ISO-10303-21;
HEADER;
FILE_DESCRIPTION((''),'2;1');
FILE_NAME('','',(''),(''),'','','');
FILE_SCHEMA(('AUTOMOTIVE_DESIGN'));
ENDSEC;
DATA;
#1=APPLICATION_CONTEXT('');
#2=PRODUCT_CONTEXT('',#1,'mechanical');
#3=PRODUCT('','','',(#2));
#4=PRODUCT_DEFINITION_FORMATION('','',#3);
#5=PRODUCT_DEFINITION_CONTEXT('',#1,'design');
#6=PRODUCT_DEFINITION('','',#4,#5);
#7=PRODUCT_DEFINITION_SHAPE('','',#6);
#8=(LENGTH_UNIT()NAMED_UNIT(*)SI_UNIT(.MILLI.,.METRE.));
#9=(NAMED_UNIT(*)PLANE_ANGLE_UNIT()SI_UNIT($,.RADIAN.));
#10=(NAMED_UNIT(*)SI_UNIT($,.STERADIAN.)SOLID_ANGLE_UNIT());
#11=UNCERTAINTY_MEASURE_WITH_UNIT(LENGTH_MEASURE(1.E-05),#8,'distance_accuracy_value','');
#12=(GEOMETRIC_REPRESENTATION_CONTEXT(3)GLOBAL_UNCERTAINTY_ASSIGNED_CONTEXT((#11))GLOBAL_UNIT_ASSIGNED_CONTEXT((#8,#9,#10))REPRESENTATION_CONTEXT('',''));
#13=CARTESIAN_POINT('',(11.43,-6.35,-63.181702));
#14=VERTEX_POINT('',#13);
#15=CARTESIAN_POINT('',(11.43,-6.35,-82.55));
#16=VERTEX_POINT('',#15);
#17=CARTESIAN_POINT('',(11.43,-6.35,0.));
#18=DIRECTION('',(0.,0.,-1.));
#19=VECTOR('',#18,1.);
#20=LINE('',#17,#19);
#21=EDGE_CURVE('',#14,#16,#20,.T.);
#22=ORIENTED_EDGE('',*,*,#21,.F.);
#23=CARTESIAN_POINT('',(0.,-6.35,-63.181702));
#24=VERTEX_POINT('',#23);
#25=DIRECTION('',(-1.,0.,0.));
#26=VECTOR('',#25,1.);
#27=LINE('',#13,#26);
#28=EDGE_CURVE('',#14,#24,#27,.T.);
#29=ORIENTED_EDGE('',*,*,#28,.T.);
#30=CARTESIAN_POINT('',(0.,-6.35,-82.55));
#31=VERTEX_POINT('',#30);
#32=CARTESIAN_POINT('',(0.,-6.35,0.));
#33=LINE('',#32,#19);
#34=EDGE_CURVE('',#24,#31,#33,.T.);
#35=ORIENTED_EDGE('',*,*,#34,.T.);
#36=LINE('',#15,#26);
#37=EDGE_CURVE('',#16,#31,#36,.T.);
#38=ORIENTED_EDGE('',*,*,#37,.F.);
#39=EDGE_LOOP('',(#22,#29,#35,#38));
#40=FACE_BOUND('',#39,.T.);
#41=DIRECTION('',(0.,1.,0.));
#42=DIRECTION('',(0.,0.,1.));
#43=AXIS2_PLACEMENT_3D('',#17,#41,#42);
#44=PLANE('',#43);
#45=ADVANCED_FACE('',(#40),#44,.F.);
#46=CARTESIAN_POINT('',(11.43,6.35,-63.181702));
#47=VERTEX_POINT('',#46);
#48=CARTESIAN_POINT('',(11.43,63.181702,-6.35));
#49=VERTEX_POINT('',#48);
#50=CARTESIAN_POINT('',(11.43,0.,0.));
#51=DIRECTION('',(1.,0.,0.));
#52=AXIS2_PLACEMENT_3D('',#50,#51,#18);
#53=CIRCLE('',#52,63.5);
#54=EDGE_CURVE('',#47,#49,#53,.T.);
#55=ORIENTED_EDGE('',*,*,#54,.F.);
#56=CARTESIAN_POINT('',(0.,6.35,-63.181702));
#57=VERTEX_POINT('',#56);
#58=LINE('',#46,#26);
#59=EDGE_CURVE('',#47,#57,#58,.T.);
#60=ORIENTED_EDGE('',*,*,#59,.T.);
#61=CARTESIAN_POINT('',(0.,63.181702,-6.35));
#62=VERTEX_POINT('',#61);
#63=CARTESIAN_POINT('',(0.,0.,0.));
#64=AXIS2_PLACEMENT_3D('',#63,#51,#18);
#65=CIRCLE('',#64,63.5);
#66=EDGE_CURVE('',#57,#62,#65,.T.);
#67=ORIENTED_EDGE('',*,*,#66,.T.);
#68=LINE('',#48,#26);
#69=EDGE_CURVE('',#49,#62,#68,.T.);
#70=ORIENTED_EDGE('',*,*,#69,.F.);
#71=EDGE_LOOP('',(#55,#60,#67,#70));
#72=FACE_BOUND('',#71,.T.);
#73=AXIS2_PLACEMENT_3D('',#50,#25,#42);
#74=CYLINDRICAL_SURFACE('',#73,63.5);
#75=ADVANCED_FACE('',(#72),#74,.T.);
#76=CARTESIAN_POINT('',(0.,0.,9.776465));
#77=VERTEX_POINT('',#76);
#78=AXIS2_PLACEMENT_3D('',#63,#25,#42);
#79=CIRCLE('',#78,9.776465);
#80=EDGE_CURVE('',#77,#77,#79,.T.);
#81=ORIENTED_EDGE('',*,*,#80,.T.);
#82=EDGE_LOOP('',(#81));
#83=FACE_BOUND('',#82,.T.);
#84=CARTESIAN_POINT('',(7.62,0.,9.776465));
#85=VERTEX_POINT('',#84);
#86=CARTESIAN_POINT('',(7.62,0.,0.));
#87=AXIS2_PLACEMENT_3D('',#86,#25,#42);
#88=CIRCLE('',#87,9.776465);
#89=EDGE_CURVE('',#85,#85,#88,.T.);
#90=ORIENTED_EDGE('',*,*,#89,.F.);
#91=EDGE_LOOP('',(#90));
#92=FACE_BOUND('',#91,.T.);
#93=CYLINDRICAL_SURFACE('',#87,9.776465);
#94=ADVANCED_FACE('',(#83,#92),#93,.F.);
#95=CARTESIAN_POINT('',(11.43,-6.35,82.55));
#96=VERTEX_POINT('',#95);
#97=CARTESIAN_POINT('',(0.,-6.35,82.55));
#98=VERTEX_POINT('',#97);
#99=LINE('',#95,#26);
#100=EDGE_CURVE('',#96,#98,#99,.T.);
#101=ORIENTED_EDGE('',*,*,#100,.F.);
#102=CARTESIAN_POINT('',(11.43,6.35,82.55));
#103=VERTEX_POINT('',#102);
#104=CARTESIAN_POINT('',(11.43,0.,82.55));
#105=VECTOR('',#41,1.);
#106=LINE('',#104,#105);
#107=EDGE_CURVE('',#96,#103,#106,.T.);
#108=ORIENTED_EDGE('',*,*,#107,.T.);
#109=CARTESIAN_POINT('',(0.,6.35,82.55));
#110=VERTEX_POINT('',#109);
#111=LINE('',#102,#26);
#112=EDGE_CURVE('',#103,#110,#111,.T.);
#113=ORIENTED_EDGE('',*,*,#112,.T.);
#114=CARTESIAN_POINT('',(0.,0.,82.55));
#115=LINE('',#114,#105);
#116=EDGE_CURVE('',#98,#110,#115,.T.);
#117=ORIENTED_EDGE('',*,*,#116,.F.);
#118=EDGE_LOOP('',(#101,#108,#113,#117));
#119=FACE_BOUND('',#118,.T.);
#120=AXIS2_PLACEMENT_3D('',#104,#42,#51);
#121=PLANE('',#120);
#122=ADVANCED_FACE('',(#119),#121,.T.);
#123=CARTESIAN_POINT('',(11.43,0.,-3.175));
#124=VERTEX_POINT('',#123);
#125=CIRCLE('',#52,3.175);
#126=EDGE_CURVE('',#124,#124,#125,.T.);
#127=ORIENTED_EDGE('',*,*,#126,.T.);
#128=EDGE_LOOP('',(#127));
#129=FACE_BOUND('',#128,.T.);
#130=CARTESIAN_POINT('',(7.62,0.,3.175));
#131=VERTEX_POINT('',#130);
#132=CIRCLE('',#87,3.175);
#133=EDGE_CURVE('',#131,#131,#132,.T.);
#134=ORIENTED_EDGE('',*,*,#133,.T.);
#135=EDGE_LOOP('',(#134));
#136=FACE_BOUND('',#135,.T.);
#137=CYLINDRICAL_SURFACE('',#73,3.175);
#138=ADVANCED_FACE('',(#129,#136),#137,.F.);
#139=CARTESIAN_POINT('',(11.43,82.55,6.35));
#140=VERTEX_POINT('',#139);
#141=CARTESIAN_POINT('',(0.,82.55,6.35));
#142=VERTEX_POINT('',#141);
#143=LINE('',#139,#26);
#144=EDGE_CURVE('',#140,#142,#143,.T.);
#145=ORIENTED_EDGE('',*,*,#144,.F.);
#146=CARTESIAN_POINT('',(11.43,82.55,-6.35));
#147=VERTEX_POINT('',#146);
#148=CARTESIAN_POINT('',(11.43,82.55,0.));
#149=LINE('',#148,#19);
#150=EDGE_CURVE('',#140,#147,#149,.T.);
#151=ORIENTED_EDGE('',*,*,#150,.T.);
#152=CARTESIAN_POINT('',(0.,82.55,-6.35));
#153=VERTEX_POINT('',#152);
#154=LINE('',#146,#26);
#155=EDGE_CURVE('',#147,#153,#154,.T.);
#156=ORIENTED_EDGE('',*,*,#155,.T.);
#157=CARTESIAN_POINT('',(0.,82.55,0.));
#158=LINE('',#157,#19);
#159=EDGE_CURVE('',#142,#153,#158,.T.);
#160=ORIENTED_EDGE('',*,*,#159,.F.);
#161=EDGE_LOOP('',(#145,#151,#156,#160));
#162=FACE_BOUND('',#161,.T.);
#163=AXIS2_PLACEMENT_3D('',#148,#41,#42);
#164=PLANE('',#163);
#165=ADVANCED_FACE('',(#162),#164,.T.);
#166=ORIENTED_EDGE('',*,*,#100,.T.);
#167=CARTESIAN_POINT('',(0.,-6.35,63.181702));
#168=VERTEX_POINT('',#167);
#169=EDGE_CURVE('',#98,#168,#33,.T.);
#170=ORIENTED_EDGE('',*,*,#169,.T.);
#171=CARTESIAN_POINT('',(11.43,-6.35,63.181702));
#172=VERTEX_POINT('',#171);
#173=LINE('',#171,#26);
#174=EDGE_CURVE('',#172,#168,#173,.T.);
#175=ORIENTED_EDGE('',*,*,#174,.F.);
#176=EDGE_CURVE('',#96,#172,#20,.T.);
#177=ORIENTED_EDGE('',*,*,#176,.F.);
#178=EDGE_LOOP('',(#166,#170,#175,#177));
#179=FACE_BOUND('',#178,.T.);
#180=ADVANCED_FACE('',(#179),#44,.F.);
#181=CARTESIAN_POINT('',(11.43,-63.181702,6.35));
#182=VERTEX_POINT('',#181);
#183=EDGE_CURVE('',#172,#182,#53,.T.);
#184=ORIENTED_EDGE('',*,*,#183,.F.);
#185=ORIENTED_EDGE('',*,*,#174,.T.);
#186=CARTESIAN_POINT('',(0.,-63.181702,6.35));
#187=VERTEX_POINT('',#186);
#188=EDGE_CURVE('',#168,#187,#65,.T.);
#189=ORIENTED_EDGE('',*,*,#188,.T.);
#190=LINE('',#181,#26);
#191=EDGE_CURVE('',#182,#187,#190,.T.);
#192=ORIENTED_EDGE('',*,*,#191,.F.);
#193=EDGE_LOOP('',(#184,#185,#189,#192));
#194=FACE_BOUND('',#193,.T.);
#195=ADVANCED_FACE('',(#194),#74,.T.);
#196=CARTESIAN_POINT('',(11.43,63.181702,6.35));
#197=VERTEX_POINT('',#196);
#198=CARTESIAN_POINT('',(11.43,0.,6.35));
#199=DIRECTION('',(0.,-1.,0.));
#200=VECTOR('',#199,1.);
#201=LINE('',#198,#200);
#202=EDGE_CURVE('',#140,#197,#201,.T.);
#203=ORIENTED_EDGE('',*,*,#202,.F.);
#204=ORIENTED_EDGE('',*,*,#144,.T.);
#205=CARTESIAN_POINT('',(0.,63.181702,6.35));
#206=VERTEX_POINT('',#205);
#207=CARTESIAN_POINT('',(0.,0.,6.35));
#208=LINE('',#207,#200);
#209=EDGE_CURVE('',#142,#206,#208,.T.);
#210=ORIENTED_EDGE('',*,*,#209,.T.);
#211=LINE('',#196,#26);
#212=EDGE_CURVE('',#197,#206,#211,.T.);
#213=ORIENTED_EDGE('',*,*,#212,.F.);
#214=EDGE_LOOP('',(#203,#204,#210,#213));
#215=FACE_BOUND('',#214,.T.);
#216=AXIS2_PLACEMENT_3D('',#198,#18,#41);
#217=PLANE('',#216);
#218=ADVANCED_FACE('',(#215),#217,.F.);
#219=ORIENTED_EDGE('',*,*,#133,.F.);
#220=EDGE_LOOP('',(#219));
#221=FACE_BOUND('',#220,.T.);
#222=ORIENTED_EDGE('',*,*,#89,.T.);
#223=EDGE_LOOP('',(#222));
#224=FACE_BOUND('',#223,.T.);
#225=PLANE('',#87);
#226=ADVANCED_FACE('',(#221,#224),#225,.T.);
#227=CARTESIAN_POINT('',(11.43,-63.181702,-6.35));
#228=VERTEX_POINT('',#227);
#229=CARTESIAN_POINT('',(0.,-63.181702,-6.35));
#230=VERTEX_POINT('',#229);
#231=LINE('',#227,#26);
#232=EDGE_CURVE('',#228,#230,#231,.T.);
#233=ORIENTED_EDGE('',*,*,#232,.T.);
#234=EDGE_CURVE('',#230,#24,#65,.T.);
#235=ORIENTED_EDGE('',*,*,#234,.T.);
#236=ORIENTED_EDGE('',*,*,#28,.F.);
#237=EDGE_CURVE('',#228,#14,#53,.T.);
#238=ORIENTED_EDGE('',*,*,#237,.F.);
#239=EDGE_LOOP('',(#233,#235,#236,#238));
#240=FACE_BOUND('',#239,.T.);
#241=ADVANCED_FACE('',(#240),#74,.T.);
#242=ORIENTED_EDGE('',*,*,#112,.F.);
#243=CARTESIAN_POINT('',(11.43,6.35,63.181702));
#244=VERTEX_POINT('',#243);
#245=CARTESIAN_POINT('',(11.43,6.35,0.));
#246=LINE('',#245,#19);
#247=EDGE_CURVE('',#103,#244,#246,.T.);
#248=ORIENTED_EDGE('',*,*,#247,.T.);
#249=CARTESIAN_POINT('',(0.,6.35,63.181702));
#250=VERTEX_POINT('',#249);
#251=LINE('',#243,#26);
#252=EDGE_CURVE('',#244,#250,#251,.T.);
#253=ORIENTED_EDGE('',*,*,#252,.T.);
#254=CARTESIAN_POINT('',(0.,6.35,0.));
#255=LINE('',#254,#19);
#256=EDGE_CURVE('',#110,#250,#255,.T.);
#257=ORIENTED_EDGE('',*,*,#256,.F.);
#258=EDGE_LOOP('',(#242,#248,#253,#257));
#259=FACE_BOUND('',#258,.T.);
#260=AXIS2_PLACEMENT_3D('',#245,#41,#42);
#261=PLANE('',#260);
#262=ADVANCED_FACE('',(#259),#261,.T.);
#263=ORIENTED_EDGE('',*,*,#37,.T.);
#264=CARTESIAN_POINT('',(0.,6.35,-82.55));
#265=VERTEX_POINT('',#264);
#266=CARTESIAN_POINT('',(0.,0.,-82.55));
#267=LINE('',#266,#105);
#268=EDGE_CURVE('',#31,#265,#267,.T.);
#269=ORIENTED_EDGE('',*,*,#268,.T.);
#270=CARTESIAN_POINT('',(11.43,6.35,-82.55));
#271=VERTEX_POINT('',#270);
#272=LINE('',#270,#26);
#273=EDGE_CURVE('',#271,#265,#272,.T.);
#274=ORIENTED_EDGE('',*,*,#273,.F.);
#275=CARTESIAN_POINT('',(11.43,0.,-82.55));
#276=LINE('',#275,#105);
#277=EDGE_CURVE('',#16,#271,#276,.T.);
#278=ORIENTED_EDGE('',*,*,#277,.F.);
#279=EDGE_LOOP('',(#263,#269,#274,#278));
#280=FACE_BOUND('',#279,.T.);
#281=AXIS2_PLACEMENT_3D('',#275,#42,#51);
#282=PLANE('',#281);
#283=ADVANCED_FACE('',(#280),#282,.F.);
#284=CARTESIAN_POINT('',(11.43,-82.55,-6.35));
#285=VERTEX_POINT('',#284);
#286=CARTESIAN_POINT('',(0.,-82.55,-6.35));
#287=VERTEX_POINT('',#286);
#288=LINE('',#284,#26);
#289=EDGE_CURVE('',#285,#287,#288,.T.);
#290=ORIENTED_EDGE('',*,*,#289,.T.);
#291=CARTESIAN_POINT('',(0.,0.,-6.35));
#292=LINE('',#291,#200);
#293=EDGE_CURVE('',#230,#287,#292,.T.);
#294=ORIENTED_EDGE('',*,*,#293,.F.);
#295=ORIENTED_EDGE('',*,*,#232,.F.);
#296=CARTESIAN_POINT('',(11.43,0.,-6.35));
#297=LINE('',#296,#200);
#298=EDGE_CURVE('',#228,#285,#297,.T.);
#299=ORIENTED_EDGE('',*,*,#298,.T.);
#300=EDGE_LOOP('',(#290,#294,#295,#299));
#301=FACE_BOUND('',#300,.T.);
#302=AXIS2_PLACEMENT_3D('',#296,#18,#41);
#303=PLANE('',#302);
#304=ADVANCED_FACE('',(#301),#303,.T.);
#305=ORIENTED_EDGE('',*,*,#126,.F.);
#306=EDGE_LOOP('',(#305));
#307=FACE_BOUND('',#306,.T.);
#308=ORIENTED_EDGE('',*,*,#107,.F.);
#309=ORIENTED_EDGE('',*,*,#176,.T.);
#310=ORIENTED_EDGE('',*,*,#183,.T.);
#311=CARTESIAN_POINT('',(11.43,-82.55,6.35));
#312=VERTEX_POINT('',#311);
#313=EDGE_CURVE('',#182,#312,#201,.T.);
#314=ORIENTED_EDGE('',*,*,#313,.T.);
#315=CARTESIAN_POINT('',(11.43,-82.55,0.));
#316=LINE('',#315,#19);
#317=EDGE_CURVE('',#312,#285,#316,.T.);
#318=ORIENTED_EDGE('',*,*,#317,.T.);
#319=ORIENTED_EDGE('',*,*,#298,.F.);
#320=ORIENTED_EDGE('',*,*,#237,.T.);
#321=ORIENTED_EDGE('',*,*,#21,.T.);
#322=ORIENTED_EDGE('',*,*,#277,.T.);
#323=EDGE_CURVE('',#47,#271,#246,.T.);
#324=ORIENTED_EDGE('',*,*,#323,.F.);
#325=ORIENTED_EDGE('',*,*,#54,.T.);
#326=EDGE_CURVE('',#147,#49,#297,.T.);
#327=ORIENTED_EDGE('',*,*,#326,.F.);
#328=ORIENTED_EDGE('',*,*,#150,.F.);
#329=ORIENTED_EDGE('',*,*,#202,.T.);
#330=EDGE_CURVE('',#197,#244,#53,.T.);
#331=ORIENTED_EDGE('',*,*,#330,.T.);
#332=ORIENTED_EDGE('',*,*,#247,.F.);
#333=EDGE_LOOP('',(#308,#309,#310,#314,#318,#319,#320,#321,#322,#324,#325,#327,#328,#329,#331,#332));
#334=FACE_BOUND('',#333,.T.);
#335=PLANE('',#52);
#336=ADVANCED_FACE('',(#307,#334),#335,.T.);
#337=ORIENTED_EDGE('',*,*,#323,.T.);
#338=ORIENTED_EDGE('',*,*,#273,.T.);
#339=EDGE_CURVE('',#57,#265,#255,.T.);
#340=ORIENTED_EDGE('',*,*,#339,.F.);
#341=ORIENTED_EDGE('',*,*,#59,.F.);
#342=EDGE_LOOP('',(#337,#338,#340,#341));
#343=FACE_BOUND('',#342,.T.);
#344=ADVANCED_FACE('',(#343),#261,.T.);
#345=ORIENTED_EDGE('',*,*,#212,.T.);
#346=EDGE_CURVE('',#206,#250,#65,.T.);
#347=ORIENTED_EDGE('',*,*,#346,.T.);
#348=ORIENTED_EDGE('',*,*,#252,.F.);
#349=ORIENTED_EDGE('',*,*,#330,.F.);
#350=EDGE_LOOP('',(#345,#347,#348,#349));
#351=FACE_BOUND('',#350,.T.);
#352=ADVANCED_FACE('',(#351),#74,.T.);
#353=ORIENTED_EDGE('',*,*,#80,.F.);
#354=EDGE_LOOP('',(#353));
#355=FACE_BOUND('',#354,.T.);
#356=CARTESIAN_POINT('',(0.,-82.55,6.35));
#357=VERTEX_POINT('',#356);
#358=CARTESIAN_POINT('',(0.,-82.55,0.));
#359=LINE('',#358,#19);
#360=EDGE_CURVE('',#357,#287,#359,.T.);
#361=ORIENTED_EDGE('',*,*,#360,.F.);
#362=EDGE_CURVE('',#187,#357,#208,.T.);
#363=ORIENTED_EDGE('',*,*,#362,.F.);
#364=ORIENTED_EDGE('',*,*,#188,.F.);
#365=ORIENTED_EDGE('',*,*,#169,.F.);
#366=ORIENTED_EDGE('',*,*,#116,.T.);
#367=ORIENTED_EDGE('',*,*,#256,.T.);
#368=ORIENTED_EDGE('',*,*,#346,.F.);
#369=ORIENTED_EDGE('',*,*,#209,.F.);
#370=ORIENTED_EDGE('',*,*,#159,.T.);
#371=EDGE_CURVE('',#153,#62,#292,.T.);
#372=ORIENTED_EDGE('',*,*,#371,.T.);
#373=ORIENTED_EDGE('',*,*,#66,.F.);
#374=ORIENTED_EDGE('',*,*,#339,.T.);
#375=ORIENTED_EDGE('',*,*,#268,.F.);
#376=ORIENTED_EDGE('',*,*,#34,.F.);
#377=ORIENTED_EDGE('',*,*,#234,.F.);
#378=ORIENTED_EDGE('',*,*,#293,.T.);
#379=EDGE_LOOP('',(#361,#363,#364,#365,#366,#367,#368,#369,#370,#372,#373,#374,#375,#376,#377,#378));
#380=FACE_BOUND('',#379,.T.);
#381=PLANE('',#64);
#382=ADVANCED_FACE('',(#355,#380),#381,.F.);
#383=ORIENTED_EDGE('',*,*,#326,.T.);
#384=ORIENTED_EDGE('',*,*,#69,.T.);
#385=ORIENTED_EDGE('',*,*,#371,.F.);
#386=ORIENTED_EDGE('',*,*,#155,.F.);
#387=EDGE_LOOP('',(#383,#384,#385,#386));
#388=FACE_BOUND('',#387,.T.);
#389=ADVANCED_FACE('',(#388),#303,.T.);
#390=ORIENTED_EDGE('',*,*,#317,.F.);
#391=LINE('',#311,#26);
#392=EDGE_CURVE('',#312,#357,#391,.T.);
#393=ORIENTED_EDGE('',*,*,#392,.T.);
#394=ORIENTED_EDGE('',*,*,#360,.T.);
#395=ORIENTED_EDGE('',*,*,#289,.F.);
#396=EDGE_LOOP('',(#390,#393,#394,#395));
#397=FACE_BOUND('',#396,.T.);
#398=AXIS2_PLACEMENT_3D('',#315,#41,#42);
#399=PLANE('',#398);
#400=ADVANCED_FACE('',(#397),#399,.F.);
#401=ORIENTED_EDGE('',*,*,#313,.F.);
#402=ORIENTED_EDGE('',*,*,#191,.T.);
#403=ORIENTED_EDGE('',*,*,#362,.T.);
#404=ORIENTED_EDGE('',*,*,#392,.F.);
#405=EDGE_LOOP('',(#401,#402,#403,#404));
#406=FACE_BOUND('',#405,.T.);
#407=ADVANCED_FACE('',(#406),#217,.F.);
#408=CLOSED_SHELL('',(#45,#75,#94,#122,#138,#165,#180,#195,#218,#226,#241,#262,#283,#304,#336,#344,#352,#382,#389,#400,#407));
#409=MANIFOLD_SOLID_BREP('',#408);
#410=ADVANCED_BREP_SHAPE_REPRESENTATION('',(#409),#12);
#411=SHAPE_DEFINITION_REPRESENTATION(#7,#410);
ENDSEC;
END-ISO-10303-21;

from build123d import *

# Parameters (mm, degrees)
SKETCH1_R           = 3.175
BOSS_EXTRUDE1_DEPTH = 11.43
SKETCH2_R           = 9.776464607
CUT_EXTRUDE1_DEPTH  = 7.62


with BuildPart() as part:
    # Sketch1 → Boss-Extrude1 (new body)
    with BuildSketch(Plane(origin=(0, 0, 0), x_dir=(0, 0, -1), z_dir=(1, 0, 0))):
        with BuildLine():
            Line((6.35, 82.55), (-6.35, 82.55))
            Line((-6.35, 82.55), (-6.35, 63.181702256))
            ThreePointArc((-6.35, 63.181702256), (-44.901280605, 44.901280605), (-63.181702256, 6.35))
            Line((-63.181702256, 6.35), (-82.55, 6.35))
            Line((-82.55, 6.35), (-82.55, -6.35))
            Line((-82.55, -6.35), (-63.181702256, -6.35))
            ThreePointArc((-63.181702256, -6.35), (-44.901280605, -44.901280605), (-6.35, -63.181702256))
            Line((-6.35, -63.181702256), (-6.35, -82.55))
            Line((-6.35, -82.55), (6.35, -82.55))
            Line((6.35, -82.55), (6.35, -63.181702256))
            ThreePointArc((6.35, -63.181702256), (44.901280605, -44.901280605), (63.181702256, -6.35))
            Line((63.181702256, -6.35), (82.55, -6.35))
            Line((82.55, -6.35), (82.55, 6.35))
            Line((82.55, 6.35), (63.181702256, 6.35))
            ThreePointArc((63.181702256, 6.35), (44.901280605, 44.901280605), (6.35, 63.181702256))
            Line((6.35, 63.181702256), (6.35, 82.55))
        make_face()
        Circle(SKETCH1_R, mode=Mode.SUBTRACT)
    extrude(amount=BOSS_EXTRUDE1_DEPTH)

    # Sketch2 → Cut-Extrude1 (cut)
    with BuildSketch(Plane.ZY):
        Circle(SKETCH2_R)
    extrude(amount=-CUT_EXTRUDE1_DEPTH, mode=Mode.SUBTRACT)


solid = part.part
